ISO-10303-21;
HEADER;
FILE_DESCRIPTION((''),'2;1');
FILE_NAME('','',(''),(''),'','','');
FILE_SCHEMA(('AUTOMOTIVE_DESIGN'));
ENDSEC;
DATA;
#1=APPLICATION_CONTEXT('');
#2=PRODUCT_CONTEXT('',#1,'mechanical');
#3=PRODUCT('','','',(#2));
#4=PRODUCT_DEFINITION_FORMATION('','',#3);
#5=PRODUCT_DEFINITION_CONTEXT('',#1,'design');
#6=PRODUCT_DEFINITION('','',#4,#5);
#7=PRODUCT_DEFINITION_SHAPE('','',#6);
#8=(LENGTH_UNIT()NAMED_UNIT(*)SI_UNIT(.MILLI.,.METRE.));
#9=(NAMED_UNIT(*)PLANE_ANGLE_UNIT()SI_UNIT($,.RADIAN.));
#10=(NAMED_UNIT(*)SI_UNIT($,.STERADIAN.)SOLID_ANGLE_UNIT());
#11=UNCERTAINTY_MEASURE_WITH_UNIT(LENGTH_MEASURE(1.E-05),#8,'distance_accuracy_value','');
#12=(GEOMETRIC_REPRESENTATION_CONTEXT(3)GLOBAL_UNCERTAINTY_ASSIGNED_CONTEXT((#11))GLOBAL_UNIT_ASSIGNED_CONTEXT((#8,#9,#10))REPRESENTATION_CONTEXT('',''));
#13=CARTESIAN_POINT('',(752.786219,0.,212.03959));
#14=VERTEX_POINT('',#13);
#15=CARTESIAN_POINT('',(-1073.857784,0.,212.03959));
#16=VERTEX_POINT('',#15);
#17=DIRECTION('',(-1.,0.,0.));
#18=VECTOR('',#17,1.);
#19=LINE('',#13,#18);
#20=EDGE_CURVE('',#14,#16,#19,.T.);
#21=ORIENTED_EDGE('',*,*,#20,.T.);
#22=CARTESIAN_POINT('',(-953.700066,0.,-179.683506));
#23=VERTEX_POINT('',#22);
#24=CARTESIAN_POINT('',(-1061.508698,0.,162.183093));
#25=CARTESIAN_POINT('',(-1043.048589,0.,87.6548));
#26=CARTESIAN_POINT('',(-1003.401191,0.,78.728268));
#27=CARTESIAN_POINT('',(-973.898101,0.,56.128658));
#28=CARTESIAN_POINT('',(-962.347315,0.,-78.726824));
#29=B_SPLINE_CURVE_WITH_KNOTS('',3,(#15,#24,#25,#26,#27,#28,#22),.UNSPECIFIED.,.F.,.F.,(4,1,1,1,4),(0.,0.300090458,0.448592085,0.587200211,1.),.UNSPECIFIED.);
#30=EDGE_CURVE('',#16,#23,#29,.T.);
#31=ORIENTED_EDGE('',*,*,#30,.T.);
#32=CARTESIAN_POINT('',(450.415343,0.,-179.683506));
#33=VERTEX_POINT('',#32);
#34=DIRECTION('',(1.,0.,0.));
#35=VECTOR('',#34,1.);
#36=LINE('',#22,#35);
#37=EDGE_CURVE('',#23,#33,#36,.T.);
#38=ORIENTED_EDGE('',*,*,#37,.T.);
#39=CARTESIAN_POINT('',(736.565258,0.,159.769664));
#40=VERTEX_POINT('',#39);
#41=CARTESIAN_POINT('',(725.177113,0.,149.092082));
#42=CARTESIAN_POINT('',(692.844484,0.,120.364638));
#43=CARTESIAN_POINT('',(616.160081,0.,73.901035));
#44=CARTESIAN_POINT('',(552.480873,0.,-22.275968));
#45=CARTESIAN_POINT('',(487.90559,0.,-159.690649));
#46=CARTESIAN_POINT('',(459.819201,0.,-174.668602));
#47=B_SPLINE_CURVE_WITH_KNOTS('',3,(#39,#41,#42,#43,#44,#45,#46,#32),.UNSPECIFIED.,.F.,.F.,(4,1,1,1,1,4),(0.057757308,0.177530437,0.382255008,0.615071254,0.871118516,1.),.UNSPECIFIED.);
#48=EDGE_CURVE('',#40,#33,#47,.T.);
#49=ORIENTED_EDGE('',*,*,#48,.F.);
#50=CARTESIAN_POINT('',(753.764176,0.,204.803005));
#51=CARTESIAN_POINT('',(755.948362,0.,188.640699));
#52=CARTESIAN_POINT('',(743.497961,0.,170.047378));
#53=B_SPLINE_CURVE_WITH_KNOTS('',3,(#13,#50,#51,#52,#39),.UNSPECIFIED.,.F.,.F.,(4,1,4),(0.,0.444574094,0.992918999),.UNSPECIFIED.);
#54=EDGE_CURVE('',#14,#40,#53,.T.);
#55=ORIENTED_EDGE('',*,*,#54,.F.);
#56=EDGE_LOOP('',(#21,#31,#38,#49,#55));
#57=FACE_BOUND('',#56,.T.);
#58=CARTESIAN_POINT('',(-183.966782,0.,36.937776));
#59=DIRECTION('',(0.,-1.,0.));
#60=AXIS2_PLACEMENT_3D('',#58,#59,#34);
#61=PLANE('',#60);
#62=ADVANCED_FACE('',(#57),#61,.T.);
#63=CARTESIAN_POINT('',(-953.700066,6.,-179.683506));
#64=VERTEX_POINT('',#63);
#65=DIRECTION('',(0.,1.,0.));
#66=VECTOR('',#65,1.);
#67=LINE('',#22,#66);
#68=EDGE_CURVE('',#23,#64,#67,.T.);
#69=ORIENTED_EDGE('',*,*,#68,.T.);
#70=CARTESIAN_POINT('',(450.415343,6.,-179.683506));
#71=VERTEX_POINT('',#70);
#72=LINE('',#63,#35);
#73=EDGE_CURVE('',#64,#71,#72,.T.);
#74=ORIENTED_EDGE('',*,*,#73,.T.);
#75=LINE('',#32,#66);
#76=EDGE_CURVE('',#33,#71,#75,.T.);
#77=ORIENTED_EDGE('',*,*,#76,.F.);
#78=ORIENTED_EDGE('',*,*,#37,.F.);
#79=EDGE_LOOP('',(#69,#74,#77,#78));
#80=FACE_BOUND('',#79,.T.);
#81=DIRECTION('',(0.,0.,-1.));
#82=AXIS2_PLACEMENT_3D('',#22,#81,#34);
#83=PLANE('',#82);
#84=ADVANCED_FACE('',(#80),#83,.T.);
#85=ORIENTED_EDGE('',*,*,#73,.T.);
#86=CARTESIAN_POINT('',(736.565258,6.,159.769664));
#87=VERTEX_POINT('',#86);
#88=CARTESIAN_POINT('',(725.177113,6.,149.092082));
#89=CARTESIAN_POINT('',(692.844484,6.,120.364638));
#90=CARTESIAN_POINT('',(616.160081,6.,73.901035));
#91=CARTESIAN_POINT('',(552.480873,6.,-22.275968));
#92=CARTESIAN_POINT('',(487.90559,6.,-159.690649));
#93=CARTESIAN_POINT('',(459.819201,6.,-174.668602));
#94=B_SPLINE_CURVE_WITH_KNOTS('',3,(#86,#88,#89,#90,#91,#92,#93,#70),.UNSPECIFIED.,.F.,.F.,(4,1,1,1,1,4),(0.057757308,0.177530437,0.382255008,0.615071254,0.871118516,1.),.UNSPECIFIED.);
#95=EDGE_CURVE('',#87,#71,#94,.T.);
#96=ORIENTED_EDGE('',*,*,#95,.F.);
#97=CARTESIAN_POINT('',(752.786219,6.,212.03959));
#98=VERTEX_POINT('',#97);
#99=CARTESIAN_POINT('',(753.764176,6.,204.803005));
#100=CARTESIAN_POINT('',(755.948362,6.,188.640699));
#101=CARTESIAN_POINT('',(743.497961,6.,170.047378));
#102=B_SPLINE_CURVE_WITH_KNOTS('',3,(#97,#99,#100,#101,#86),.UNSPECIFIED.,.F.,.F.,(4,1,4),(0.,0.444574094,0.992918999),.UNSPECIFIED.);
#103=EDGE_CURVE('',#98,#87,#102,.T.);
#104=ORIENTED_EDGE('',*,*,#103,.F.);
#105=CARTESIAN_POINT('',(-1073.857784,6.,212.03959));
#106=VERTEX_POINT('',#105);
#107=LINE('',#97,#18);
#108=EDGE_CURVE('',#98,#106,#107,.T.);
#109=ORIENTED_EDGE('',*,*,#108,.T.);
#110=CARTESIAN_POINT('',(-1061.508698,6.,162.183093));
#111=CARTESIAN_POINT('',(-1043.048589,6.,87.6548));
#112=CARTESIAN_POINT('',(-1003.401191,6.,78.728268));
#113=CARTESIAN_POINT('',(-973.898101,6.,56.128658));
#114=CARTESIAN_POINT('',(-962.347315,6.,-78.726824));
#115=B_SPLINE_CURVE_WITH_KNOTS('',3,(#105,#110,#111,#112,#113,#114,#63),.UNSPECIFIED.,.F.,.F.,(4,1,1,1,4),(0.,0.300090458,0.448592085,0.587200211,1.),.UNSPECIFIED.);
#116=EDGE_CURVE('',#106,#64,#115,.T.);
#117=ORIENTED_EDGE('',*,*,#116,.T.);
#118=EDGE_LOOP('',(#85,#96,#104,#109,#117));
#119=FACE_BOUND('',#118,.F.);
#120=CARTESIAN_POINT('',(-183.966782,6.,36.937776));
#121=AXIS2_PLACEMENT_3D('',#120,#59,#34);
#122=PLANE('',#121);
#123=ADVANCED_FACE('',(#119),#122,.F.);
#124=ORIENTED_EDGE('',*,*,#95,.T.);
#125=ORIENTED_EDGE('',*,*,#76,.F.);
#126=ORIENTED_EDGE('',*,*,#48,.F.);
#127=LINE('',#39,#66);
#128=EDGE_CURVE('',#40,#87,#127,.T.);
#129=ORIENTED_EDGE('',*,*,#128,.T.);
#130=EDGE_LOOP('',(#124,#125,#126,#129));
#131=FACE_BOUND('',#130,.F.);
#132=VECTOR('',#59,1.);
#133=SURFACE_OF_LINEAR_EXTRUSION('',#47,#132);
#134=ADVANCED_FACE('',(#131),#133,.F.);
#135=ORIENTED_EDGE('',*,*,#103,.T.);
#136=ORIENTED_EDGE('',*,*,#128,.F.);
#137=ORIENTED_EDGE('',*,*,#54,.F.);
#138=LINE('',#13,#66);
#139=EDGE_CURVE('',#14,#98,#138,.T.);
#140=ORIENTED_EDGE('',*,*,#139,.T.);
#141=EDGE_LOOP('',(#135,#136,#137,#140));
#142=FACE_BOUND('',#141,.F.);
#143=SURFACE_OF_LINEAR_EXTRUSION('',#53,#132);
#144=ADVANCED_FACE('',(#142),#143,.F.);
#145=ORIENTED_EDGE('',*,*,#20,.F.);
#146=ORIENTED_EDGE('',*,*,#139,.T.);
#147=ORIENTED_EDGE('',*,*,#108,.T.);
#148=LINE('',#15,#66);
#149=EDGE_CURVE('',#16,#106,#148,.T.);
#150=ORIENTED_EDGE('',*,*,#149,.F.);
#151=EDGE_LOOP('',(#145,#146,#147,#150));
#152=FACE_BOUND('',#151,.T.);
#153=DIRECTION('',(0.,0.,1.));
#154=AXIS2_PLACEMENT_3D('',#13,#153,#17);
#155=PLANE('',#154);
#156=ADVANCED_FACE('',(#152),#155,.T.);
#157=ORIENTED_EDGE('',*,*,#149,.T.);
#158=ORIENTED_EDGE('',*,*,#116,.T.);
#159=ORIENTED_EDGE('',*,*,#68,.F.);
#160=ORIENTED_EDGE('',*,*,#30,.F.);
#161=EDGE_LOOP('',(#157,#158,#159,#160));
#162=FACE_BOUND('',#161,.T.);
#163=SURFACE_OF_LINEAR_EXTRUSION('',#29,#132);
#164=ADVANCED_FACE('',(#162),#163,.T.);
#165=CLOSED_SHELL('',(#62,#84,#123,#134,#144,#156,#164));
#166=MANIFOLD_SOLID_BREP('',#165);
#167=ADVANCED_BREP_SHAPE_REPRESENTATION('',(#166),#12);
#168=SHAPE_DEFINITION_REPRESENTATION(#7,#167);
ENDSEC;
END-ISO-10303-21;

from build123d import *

# Parameters (mm, degrees)
F2_DEPTH = 6


with BuildPart() as f2:
    # F1 (on Front) → F2 (new body)
    with BuildSketch(Plane.XZ):
        with BuildLine():
            Line((752.78621912, 212.0395898819), (-1073.8577842712, 212.0395898819))
            add(Edge.make_bspline(
                [(-1073.8577842712, 212.0395898819), (-1061.5086977382, 162.1830934895), (-1043.0485890614, 87.6548003085), (-1003.401191339, 78.7282678479), (-973.8981010889, 56.1286575368), (-962.3473153112, -78.7268235146), (-953.7000656128, -179.6835064888)],
                knots=[0, 0, 0, 0, 0.3000904584, 0.4485920849, 0.5872002114, 1, 1, 1, 1], degree=3))
            Line((-953.7000656128, -179.6835064888), (450.4153430462, -179.6835064888))
            add(Edge.make_bspline(
                [(736.5652578839, 159.7696638051), (725.1771132617, 149.0920819494), (692.8444844392, 120.3646378027), (616.1600812269, 73.9010347685), (552.4808726291, -22.2759684969), (487.9055899897, -159.690649083), (459.8192014638, -174.6686021941), (450.4153430462, -179.6835064888)],
                knots=[0.0577573075, 0.0577573075, 0.0577573075, 0.0577573075, 0.1775304373, 0.3822550082, 0.6150712544, 0.8711185163, 1, 1, 1, 1], degree=3))
            add(Edge.make_bspline(
                [(752.78621912, 212.0395898819), (753.7641763207, 204.8030051476), (755.9483618095, 188.640699318), (743.4979613071, 170.0473784292), (736.5652578839, 159.7696638051)],
                knots=[0, 0, 0, 0, 0.4445740939, 0.9929189989, 0.9929189989, 0.9929189989, 0.9929189989], degree=3))
        make_face()
    extrude(amount=-F2_DEPTH)


solid = f2.part
